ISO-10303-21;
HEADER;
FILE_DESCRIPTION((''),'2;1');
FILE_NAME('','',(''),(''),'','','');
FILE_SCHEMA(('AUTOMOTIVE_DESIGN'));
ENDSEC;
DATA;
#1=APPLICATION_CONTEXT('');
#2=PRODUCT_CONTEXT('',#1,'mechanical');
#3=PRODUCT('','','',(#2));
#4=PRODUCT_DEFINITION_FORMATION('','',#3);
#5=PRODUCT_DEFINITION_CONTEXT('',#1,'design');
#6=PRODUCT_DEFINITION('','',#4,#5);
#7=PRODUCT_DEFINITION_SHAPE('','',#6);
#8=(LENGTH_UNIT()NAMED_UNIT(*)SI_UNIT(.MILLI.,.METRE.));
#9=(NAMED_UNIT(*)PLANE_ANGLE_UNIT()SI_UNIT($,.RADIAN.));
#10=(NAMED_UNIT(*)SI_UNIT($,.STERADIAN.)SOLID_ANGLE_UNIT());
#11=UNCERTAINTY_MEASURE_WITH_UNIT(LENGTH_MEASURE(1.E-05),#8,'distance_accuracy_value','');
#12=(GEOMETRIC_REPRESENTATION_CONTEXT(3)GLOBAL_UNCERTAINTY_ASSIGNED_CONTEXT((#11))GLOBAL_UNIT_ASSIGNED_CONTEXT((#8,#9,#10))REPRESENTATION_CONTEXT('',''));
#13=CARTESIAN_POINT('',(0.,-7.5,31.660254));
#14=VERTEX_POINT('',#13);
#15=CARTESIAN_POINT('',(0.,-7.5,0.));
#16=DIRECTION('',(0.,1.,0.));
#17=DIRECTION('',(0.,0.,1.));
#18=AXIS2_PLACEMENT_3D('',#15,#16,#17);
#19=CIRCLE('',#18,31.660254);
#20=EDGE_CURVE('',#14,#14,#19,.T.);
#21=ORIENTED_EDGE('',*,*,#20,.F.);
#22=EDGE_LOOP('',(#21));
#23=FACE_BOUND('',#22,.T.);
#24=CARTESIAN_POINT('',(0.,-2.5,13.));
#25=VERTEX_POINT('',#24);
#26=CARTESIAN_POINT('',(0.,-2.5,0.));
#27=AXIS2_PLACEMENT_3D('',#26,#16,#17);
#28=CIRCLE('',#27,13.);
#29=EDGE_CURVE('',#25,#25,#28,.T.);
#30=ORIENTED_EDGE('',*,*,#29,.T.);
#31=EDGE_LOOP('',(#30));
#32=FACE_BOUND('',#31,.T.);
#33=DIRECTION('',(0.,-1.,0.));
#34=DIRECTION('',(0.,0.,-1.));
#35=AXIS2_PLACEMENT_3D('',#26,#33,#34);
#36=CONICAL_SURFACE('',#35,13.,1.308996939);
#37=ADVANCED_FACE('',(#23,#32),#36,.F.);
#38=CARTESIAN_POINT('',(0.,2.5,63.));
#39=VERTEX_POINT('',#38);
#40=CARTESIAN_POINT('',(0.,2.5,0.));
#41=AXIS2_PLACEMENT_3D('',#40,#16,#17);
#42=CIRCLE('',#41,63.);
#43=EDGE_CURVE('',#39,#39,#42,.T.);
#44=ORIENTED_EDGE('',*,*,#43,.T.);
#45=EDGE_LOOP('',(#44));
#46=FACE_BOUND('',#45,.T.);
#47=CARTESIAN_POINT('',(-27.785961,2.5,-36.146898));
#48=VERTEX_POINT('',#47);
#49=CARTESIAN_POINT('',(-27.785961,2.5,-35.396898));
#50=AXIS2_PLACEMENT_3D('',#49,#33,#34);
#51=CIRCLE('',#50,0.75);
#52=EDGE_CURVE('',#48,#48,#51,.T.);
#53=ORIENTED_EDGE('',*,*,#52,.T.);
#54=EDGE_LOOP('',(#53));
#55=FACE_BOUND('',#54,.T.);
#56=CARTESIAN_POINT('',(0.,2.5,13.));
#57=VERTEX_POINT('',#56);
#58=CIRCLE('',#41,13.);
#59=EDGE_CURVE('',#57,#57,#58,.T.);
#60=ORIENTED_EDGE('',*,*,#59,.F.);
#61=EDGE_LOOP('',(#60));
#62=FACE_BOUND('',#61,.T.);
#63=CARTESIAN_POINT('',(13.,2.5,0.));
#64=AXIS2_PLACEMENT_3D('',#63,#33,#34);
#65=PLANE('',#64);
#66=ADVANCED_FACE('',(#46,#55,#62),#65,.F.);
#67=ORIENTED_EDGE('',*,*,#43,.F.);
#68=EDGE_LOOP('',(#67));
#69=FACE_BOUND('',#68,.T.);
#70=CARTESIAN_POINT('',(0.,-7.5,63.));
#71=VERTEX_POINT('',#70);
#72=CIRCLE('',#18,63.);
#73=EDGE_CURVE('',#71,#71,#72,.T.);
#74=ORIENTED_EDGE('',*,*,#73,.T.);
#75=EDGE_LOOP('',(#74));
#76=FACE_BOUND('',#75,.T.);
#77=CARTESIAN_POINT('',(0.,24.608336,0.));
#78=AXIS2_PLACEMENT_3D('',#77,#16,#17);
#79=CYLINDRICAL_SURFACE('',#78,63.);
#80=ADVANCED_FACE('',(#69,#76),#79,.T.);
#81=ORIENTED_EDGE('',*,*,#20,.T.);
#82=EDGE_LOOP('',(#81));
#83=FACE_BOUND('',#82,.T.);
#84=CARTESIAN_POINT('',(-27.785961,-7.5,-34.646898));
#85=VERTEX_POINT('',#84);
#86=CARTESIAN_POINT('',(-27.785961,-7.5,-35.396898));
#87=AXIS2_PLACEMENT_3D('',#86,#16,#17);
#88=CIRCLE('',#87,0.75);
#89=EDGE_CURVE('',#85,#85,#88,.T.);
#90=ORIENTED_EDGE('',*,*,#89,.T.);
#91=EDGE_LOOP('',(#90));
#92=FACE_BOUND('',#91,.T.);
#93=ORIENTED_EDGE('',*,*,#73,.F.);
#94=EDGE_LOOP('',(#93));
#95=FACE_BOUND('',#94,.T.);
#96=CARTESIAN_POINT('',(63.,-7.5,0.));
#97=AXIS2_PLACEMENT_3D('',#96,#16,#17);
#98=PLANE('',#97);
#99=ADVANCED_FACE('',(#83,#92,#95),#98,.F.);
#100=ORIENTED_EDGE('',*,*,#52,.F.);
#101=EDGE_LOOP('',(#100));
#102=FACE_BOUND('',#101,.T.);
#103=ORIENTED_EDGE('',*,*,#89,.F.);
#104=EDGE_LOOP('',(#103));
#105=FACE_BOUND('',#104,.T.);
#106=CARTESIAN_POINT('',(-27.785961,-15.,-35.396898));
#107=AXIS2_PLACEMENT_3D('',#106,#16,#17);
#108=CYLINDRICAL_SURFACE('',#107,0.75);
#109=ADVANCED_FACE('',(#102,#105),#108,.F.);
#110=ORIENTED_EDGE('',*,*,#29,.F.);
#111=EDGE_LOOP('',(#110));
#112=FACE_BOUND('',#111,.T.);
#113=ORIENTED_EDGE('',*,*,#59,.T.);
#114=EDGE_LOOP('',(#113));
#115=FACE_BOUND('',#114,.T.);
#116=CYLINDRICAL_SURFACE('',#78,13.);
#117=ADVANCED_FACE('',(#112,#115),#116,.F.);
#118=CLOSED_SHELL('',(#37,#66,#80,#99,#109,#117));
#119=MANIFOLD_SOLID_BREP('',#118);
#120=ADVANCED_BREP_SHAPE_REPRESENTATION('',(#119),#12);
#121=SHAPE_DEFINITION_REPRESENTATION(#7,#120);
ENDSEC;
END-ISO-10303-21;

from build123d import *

# Parameters (mm, degrees)
SZKIC2_R                   = 0.75
WYTNIJ_WYCI_GNI_CIE2_DEPTH = 15


with BuildPart() as part:
    # Szkic1 → Obrót1 (revolve)
    with BuildSketch(Plane.XY, mode=Mode.PRIVATE) as obr_t1_sk:
        Polygon((13, 2.5), (63, 2.5), (63, -7.5), (31.660254038, -7.5), (13, -2.5), align=None)
    revolve(obr_t1_sk.sketch.rotate(Axis((0, 24.608336301, 0), (0, -1, 0)), 90), axis=Axis((0, 24.608336301, 0), (0, -1, 0)))

    # Szkic2 → Wytnij-wyciągnięcie2 (cut, symmetric)
    with BuildSketch(Plane(origin=(0, 0, 0), x_dir=(1, 0, 0), z_dir=(0, 1, 0))):
        with Locations(Location((-27.785960816, 35.396897909, 0), (0, 0, 270))):
            Circle(SZKIC2_R)
    extrude(amount=WYTNIJ_WYCI_GNI_CIE2_DEPTH, both=True, mode=Mode.SUBTRACT)


solid = part.part
